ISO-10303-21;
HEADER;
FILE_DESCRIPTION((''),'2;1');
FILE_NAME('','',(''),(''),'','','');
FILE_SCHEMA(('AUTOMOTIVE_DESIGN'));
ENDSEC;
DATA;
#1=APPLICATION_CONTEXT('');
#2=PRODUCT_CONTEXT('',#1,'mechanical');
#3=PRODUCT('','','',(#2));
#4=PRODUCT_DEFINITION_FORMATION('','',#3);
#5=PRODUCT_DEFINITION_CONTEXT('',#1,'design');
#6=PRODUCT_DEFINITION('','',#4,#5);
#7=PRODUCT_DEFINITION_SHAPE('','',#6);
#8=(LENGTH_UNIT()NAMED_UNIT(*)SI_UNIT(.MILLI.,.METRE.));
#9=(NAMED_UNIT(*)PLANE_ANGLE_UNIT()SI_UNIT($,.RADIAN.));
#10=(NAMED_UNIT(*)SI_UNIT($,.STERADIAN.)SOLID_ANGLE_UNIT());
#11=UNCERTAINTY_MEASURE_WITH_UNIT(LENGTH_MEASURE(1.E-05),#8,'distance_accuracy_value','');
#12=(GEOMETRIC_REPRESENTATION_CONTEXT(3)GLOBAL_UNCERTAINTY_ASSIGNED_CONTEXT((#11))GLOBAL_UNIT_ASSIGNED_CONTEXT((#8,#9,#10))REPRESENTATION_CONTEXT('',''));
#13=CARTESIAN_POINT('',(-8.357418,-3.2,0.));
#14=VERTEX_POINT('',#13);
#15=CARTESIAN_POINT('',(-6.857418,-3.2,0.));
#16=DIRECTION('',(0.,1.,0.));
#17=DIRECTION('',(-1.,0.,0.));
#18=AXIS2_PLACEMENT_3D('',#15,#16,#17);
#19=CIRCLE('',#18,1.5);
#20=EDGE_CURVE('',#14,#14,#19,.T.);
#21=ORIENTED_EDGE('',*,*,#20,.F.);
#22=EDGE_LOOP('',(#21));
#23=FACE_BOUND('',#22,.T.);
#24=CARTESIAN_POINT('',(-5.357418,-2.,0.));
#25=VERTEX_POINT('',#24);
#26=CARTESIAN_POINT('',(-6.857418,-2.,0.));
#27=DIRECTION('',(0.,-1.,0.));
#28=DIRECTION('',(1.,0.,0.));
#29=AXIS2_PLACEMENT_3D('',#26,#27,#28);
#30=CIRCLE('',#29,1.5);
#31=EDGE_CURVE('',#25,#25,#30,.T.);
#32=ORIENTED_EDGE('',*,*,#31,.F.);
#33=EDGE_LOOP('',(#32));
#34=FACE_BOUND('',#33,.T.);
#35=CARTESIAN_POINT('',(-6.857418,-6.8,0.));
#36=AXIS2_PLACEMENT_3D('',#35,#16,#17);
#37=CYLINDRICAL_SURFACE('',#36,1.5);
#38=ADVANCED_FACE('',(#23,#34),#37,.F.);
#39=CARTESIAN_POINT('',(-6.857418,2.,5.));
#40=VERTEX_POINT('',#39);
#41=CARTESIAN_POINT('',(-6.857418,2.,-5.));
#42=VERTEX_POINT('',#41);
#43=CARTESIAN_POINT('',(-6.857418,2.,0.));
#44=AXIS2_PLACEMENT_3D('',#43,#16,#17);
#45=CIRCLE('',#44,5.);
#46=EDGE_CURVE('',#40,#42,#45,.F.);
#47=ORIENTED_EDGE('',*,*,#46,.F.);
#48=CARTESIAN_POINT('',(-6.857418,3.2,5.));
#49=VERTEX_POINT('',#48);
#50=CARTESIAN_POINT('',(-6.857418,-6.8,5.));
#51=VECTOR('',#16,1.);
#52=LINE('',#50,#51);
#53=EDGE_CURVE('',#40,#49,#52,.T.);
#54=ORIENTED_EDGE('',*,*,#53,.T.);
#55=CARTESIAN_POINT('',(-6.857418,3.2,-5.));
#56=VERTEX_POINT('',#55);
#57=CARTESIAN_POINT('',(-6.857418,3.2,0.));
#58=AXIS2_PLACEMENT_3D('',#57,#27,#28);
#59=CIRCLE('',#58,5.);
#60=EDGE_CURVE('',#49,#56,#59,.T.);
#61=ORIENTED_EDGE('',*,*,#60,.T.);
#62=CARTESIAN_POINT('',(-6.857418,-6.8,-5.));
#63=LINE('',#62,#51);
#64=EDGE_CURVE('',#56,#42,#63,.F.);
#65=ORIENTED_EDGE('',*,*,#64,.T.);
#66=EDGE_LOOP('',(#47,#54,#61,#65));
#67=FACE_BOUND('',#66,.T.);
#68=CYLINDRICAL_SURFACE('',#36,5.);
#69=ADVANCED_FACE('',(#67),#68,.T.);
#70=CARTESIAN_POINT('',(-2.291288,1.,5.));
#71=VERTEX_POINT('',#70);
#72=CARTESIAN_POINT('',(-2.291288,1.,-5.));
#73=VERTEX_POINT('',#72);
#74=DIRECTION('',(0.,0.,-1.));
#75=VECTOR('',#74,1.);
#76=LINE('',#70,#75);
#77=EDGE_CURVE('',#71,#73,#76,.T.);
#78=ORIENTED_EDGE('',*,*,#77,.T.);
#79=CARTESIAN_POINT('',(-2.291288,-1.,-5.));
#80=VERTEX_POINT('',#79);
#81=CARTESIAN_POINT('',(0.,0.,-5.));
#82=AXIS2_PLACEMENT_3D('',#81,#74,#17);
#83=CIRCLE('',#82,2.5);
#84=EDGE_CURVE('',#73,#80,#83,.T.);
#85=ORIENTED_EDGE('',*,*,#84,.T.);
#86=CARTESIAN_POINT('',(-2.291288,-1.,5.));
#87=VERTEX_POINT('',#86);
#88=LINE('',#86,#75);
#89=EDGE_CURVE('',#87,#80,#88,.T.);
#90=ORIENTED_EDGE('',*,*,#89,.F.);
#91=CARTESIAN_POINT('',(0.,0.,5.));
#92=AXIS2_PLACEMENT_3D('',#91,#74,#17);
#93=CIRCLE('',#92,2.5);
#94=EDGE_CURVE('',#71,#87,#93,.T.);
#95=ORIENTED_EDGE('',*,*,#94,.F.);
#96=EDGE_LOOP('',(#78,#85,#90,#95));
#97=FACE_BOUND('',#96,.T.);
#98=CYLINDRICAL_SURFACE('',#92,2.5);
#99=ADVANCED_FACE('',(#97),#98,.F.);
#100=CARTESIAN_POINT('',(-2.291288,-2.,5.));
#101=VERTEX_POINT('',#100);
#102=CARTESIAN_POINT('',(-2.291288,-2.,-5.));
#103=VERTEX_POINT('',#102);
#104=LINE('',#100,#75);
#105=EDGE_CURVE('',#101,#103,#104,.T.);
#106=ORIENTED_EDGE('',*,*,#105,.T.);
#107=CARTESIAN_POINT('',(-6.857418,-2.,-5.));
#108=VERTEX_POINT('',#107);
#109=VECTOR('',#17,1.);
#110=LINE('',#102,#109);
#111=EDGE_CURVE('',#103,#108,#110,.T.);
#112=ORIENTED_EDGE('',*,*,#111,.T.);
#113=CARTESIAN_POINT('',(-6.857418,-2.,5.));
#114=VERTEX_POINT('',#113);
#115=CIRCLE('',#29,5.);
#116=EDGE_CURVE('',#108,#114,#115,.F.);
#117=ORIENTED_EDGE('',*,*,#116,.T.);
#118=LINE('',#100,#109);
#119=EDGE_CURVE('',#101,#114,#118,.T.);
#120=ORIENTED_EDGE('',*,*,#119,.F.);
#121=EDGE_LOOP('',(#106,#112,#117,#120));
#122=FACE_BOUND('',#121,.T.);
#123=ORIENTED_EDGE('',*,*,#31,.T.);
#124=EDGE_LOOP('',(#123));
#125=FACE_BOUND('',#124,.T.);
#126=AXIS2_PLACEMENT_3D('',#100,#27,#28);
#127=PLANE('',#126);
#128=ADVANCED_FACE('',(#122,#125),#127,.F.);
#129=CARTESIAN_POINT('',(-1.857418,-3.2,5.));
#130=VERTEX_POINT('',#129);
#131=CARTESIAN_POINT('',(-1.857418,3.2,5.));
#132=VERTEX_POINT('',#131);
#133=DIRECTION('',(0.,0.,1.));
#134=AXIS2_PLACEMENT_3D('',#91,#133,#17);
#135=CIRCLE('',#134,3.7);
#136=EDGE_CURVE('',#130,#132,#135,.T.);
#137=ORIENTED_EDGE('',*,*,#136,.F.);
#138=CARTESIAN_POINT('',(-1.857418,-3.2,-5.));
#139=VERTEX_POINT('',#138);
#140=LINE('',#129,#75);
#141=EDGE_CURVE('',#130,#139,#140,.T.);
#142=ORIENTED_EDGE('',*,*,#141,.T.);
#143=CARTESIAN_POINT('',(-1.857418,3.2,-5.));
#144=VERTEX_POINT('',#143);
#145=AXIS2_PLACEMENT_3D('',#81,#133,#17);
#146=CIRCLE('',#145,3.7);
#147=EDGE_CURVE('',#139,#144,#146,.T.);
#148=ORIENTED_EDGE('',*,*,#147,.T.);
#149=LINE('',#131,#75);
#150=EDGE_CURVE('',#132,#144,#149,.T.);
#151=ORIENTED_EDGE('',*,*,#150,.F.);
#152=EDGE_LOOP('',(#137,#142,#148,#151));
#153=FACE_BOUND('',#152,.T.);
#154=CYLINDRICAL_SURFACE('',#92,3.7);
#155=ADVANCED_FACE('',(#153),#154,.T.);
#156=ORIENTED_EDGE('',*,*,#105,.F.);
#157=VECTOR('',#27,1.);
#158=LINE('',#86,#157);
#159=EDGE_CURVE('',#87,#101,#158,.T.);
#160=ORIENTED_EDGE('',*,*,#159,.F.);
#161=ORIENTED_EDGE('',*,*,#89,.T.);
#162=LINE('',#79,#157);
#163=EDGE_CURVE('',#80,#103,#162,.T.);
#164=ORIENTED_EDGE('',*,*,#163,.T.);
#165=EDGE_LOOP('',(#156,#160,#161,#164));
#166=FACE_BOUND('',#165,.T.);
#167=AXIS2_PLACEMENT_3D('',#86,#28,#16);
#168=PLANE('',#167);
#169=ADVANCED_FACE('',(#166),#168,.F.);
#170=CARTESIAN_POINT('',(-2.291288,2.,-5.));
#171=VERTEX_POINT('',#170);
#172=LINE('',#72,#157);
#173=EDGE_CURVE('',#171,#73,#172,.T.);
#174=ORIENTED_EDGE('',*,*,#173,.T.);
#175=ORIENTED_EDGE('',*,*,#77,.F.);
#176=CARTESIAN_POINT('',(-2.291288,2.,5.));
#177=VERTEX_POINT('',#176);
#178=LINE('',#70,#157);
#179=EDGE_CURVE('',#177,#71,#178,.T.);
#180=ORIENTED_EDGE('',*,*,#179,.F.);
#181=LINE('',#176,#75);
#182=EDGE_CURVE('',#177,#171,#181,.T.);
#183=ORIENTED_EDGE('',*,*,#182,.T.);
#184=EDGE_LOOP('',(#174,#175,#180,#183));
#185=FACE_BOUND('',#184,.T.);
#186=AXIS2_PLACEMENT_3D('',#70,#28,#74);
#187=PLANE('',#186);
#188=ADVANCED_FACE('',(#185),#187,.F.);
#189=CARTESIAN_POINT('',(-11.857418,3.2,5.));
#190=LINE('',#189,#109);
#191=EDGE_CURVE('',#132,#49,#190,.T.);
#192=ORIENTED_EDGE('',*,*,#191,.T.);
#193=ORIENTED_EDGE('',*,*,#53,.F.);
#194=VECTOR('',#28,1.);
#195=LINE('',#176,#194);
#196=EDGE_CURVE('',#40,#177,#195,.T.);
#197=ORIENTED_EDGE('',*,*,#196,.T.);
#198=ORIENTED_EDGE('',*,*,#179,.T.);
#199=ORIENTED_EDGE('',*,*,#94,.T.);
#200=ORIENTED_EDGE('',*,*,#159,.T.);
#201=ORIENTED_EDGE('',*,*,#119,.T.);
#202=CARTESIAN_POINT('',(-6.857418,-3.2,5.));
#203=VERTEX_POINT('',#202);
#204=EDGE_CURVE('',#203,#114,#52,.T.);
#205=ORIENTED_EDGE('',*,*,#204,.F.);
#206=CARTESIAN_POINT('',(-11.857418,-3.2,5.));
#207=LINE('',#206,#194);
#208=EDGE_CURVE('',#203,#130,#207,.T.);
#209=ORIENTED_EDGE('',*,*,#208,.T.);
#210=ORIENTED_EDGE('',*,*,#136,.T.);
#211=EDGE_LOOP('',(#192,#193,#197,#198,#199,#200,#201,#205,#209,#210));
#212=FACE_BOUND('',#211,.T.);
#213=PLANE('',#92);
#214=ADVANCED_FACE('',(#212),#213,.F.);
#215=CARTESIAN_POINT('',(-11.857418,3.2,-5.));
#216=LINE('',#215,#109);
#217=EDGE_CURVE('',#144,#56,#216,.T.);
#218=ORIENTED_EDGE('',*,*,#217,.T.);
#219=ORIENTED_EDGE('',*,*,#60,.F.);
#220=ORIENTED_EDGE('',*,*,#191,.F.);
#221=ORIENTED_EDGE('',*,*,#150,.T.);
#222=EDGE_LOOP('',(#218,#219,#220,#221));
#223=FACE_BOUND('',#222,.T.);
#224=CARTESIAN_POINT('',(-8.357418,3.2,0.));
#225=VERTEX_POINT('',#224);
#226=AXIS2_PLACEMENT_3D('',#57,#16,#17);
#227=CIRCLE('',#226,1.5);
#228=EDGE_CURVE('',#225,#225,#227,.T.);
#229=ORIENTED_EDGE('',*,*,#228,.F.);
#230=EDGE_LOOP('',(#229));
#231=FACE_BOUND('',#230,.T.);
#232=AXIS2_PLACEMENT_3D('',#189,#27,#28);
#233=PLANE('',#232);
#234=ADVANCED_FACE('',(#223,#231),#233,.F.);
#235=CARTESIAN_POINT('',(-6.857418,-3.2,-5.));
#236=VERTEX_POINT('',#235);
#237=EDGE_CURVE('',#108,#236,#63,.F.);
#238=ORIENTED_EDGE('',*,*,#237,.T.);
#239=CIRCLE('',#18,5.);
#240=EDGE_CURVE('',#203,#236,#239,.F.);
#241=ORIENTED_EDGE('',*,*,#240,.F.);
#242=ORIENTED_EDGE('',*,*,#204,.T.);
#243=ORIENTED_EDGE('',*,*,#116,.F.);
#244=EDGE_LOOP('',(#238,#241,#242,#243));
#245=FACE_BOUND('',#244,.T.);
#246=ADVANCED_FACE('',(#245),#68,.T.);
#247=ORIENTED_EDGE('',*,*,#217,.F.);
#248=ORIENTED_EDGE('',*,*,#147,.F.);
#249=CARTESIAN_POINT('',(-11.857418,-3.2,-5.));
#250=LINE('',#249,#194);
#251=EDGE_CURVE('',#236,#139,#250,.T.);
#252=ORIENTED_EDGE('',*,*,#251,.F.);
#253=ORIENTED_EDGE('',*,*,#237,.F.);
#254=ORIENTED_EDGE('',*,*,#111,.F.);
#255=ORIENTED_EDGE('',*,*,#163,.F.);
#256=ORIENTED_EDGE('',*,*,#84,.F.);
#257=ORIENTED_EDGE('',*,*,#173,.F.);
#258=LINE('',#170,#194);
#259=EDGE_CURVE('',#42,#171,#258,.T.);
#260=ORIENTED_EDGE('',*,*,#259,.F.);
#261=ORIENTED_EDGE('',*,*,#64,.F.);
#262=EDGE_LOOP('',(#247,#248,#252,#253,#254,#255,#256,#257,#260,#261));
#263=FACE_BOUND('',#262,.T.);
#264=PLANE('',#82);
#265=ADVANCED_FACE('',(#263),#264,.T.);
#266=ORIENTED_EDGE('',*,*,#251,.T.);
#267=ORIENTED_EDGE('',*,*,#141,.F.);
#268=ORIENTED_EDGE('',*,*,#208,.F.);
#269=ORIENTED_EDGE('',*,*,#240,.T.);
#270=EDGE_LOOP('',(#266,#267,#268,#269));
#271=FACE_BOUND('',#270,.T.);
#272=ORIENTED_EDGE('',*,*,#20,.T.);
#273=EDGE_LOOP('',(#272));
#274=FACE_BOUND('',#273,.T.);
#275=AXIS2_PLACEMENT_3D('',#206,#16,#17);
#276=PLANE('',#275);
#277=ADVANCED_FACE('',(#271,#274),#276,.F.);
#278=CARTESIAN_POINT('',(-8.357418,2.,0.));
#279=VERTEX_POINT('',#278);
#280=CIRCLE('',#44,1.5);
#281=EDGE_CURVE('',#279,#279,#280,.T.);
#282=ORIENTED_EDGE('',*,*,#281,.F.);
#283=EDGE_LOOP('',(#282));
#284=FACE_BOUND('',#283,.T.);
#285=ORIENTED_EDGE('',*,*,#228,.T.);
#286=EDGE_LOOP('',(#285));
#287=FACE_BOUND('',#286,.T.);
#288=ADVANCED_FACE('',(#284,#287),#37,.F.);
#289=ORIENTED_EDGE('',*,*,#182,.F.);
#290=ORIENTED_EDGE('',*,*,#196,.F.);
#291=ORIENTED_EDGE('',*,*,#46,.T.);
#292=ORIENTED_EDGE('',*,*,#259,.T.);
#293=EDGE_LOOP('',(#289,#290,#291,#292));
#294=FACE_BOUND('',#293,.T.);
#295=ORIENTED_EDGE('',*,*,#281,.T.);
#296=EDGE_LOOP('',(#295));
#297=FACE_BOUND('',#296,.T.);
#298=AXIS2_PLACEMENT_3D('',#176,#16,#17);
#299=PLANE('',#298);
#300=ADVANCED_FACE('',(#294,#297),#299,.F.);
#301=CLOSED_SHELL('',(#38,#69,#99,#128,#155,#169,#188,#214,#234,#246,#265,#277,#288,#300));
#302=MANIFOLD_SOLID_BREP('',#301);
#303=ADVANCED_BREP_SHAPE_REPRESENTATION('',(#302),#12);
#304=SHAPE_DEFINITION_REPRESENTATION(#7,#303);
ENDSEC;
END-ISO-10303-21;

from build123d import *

# Parameters (mm, degrees)
BOSS_EXTRUDE1_DEPTH = 5
SKETCH2_R           = 1.5
CUT_EXTRUDE1_DEPTH  = 10


with BuildPart() as part:
    # Sketch1 → Boss-Extrude1 (new, symmetric)
    with BuildSketch(Plane.XY):
        with BuildLine():
            Line((-11.857417562, 2), (-11.857417562, 3.2))
            Line((-11.857417562, 3.2), (-1.857417562, 3.2))
            ThreePointArc((-1.857417562, 3.2), (3.7, 0), (-1.857417562, -3.2))
            Line((-1.857417562, -3.2), (-11.857417562, -3.2))
            Line((-11.857417562, -3.2), (-11.857417562, -2))
            Line((-11.857417562, -2), (-2.291287847, -2))
            Line((-2.291287847, -2), (-2.291287847, -1))
            ThreePointArc((-2.291287847, -1), (2.5, 0), (-2.291287847, 1))
            Line((-2.291287847, 1), (-2.291287847, 2))
            Line((-2.291287847, 2), (-11.857417562, 2))
        make_face()
    extrude(amount=BOSS_EXTRUDE1_DEPTH, both=True)

    # Sketch2 → Cut-Extrude1 (cut)
    with BuildSketch(Plane(origin=(0, 3.2, 0), x_dir=(1, 0, 0), z_dir=(0, 1, 0))):
        with Locations(Location((-6.857417562, 0, 0), (0, 0, 180))):
            Circle(SKETCH2_R)
        with BuildLine():
            Line((-6.857417562, 5), (-12.857417562, 5))
            Line((-12.857417562, 5), (-12.857417562, -5))
            Line((-12.857417562, -5), (-6.857417562, -5))
            ThreePointArc((-6.857417562, -5), (-11.857417562, 0), (-6.857417562, 5))
        make_face()
    extrude(amount=-CUT_EXTRUDE1_DEPTH, mode=Mode.SUBTRACT)


solid = part.part
